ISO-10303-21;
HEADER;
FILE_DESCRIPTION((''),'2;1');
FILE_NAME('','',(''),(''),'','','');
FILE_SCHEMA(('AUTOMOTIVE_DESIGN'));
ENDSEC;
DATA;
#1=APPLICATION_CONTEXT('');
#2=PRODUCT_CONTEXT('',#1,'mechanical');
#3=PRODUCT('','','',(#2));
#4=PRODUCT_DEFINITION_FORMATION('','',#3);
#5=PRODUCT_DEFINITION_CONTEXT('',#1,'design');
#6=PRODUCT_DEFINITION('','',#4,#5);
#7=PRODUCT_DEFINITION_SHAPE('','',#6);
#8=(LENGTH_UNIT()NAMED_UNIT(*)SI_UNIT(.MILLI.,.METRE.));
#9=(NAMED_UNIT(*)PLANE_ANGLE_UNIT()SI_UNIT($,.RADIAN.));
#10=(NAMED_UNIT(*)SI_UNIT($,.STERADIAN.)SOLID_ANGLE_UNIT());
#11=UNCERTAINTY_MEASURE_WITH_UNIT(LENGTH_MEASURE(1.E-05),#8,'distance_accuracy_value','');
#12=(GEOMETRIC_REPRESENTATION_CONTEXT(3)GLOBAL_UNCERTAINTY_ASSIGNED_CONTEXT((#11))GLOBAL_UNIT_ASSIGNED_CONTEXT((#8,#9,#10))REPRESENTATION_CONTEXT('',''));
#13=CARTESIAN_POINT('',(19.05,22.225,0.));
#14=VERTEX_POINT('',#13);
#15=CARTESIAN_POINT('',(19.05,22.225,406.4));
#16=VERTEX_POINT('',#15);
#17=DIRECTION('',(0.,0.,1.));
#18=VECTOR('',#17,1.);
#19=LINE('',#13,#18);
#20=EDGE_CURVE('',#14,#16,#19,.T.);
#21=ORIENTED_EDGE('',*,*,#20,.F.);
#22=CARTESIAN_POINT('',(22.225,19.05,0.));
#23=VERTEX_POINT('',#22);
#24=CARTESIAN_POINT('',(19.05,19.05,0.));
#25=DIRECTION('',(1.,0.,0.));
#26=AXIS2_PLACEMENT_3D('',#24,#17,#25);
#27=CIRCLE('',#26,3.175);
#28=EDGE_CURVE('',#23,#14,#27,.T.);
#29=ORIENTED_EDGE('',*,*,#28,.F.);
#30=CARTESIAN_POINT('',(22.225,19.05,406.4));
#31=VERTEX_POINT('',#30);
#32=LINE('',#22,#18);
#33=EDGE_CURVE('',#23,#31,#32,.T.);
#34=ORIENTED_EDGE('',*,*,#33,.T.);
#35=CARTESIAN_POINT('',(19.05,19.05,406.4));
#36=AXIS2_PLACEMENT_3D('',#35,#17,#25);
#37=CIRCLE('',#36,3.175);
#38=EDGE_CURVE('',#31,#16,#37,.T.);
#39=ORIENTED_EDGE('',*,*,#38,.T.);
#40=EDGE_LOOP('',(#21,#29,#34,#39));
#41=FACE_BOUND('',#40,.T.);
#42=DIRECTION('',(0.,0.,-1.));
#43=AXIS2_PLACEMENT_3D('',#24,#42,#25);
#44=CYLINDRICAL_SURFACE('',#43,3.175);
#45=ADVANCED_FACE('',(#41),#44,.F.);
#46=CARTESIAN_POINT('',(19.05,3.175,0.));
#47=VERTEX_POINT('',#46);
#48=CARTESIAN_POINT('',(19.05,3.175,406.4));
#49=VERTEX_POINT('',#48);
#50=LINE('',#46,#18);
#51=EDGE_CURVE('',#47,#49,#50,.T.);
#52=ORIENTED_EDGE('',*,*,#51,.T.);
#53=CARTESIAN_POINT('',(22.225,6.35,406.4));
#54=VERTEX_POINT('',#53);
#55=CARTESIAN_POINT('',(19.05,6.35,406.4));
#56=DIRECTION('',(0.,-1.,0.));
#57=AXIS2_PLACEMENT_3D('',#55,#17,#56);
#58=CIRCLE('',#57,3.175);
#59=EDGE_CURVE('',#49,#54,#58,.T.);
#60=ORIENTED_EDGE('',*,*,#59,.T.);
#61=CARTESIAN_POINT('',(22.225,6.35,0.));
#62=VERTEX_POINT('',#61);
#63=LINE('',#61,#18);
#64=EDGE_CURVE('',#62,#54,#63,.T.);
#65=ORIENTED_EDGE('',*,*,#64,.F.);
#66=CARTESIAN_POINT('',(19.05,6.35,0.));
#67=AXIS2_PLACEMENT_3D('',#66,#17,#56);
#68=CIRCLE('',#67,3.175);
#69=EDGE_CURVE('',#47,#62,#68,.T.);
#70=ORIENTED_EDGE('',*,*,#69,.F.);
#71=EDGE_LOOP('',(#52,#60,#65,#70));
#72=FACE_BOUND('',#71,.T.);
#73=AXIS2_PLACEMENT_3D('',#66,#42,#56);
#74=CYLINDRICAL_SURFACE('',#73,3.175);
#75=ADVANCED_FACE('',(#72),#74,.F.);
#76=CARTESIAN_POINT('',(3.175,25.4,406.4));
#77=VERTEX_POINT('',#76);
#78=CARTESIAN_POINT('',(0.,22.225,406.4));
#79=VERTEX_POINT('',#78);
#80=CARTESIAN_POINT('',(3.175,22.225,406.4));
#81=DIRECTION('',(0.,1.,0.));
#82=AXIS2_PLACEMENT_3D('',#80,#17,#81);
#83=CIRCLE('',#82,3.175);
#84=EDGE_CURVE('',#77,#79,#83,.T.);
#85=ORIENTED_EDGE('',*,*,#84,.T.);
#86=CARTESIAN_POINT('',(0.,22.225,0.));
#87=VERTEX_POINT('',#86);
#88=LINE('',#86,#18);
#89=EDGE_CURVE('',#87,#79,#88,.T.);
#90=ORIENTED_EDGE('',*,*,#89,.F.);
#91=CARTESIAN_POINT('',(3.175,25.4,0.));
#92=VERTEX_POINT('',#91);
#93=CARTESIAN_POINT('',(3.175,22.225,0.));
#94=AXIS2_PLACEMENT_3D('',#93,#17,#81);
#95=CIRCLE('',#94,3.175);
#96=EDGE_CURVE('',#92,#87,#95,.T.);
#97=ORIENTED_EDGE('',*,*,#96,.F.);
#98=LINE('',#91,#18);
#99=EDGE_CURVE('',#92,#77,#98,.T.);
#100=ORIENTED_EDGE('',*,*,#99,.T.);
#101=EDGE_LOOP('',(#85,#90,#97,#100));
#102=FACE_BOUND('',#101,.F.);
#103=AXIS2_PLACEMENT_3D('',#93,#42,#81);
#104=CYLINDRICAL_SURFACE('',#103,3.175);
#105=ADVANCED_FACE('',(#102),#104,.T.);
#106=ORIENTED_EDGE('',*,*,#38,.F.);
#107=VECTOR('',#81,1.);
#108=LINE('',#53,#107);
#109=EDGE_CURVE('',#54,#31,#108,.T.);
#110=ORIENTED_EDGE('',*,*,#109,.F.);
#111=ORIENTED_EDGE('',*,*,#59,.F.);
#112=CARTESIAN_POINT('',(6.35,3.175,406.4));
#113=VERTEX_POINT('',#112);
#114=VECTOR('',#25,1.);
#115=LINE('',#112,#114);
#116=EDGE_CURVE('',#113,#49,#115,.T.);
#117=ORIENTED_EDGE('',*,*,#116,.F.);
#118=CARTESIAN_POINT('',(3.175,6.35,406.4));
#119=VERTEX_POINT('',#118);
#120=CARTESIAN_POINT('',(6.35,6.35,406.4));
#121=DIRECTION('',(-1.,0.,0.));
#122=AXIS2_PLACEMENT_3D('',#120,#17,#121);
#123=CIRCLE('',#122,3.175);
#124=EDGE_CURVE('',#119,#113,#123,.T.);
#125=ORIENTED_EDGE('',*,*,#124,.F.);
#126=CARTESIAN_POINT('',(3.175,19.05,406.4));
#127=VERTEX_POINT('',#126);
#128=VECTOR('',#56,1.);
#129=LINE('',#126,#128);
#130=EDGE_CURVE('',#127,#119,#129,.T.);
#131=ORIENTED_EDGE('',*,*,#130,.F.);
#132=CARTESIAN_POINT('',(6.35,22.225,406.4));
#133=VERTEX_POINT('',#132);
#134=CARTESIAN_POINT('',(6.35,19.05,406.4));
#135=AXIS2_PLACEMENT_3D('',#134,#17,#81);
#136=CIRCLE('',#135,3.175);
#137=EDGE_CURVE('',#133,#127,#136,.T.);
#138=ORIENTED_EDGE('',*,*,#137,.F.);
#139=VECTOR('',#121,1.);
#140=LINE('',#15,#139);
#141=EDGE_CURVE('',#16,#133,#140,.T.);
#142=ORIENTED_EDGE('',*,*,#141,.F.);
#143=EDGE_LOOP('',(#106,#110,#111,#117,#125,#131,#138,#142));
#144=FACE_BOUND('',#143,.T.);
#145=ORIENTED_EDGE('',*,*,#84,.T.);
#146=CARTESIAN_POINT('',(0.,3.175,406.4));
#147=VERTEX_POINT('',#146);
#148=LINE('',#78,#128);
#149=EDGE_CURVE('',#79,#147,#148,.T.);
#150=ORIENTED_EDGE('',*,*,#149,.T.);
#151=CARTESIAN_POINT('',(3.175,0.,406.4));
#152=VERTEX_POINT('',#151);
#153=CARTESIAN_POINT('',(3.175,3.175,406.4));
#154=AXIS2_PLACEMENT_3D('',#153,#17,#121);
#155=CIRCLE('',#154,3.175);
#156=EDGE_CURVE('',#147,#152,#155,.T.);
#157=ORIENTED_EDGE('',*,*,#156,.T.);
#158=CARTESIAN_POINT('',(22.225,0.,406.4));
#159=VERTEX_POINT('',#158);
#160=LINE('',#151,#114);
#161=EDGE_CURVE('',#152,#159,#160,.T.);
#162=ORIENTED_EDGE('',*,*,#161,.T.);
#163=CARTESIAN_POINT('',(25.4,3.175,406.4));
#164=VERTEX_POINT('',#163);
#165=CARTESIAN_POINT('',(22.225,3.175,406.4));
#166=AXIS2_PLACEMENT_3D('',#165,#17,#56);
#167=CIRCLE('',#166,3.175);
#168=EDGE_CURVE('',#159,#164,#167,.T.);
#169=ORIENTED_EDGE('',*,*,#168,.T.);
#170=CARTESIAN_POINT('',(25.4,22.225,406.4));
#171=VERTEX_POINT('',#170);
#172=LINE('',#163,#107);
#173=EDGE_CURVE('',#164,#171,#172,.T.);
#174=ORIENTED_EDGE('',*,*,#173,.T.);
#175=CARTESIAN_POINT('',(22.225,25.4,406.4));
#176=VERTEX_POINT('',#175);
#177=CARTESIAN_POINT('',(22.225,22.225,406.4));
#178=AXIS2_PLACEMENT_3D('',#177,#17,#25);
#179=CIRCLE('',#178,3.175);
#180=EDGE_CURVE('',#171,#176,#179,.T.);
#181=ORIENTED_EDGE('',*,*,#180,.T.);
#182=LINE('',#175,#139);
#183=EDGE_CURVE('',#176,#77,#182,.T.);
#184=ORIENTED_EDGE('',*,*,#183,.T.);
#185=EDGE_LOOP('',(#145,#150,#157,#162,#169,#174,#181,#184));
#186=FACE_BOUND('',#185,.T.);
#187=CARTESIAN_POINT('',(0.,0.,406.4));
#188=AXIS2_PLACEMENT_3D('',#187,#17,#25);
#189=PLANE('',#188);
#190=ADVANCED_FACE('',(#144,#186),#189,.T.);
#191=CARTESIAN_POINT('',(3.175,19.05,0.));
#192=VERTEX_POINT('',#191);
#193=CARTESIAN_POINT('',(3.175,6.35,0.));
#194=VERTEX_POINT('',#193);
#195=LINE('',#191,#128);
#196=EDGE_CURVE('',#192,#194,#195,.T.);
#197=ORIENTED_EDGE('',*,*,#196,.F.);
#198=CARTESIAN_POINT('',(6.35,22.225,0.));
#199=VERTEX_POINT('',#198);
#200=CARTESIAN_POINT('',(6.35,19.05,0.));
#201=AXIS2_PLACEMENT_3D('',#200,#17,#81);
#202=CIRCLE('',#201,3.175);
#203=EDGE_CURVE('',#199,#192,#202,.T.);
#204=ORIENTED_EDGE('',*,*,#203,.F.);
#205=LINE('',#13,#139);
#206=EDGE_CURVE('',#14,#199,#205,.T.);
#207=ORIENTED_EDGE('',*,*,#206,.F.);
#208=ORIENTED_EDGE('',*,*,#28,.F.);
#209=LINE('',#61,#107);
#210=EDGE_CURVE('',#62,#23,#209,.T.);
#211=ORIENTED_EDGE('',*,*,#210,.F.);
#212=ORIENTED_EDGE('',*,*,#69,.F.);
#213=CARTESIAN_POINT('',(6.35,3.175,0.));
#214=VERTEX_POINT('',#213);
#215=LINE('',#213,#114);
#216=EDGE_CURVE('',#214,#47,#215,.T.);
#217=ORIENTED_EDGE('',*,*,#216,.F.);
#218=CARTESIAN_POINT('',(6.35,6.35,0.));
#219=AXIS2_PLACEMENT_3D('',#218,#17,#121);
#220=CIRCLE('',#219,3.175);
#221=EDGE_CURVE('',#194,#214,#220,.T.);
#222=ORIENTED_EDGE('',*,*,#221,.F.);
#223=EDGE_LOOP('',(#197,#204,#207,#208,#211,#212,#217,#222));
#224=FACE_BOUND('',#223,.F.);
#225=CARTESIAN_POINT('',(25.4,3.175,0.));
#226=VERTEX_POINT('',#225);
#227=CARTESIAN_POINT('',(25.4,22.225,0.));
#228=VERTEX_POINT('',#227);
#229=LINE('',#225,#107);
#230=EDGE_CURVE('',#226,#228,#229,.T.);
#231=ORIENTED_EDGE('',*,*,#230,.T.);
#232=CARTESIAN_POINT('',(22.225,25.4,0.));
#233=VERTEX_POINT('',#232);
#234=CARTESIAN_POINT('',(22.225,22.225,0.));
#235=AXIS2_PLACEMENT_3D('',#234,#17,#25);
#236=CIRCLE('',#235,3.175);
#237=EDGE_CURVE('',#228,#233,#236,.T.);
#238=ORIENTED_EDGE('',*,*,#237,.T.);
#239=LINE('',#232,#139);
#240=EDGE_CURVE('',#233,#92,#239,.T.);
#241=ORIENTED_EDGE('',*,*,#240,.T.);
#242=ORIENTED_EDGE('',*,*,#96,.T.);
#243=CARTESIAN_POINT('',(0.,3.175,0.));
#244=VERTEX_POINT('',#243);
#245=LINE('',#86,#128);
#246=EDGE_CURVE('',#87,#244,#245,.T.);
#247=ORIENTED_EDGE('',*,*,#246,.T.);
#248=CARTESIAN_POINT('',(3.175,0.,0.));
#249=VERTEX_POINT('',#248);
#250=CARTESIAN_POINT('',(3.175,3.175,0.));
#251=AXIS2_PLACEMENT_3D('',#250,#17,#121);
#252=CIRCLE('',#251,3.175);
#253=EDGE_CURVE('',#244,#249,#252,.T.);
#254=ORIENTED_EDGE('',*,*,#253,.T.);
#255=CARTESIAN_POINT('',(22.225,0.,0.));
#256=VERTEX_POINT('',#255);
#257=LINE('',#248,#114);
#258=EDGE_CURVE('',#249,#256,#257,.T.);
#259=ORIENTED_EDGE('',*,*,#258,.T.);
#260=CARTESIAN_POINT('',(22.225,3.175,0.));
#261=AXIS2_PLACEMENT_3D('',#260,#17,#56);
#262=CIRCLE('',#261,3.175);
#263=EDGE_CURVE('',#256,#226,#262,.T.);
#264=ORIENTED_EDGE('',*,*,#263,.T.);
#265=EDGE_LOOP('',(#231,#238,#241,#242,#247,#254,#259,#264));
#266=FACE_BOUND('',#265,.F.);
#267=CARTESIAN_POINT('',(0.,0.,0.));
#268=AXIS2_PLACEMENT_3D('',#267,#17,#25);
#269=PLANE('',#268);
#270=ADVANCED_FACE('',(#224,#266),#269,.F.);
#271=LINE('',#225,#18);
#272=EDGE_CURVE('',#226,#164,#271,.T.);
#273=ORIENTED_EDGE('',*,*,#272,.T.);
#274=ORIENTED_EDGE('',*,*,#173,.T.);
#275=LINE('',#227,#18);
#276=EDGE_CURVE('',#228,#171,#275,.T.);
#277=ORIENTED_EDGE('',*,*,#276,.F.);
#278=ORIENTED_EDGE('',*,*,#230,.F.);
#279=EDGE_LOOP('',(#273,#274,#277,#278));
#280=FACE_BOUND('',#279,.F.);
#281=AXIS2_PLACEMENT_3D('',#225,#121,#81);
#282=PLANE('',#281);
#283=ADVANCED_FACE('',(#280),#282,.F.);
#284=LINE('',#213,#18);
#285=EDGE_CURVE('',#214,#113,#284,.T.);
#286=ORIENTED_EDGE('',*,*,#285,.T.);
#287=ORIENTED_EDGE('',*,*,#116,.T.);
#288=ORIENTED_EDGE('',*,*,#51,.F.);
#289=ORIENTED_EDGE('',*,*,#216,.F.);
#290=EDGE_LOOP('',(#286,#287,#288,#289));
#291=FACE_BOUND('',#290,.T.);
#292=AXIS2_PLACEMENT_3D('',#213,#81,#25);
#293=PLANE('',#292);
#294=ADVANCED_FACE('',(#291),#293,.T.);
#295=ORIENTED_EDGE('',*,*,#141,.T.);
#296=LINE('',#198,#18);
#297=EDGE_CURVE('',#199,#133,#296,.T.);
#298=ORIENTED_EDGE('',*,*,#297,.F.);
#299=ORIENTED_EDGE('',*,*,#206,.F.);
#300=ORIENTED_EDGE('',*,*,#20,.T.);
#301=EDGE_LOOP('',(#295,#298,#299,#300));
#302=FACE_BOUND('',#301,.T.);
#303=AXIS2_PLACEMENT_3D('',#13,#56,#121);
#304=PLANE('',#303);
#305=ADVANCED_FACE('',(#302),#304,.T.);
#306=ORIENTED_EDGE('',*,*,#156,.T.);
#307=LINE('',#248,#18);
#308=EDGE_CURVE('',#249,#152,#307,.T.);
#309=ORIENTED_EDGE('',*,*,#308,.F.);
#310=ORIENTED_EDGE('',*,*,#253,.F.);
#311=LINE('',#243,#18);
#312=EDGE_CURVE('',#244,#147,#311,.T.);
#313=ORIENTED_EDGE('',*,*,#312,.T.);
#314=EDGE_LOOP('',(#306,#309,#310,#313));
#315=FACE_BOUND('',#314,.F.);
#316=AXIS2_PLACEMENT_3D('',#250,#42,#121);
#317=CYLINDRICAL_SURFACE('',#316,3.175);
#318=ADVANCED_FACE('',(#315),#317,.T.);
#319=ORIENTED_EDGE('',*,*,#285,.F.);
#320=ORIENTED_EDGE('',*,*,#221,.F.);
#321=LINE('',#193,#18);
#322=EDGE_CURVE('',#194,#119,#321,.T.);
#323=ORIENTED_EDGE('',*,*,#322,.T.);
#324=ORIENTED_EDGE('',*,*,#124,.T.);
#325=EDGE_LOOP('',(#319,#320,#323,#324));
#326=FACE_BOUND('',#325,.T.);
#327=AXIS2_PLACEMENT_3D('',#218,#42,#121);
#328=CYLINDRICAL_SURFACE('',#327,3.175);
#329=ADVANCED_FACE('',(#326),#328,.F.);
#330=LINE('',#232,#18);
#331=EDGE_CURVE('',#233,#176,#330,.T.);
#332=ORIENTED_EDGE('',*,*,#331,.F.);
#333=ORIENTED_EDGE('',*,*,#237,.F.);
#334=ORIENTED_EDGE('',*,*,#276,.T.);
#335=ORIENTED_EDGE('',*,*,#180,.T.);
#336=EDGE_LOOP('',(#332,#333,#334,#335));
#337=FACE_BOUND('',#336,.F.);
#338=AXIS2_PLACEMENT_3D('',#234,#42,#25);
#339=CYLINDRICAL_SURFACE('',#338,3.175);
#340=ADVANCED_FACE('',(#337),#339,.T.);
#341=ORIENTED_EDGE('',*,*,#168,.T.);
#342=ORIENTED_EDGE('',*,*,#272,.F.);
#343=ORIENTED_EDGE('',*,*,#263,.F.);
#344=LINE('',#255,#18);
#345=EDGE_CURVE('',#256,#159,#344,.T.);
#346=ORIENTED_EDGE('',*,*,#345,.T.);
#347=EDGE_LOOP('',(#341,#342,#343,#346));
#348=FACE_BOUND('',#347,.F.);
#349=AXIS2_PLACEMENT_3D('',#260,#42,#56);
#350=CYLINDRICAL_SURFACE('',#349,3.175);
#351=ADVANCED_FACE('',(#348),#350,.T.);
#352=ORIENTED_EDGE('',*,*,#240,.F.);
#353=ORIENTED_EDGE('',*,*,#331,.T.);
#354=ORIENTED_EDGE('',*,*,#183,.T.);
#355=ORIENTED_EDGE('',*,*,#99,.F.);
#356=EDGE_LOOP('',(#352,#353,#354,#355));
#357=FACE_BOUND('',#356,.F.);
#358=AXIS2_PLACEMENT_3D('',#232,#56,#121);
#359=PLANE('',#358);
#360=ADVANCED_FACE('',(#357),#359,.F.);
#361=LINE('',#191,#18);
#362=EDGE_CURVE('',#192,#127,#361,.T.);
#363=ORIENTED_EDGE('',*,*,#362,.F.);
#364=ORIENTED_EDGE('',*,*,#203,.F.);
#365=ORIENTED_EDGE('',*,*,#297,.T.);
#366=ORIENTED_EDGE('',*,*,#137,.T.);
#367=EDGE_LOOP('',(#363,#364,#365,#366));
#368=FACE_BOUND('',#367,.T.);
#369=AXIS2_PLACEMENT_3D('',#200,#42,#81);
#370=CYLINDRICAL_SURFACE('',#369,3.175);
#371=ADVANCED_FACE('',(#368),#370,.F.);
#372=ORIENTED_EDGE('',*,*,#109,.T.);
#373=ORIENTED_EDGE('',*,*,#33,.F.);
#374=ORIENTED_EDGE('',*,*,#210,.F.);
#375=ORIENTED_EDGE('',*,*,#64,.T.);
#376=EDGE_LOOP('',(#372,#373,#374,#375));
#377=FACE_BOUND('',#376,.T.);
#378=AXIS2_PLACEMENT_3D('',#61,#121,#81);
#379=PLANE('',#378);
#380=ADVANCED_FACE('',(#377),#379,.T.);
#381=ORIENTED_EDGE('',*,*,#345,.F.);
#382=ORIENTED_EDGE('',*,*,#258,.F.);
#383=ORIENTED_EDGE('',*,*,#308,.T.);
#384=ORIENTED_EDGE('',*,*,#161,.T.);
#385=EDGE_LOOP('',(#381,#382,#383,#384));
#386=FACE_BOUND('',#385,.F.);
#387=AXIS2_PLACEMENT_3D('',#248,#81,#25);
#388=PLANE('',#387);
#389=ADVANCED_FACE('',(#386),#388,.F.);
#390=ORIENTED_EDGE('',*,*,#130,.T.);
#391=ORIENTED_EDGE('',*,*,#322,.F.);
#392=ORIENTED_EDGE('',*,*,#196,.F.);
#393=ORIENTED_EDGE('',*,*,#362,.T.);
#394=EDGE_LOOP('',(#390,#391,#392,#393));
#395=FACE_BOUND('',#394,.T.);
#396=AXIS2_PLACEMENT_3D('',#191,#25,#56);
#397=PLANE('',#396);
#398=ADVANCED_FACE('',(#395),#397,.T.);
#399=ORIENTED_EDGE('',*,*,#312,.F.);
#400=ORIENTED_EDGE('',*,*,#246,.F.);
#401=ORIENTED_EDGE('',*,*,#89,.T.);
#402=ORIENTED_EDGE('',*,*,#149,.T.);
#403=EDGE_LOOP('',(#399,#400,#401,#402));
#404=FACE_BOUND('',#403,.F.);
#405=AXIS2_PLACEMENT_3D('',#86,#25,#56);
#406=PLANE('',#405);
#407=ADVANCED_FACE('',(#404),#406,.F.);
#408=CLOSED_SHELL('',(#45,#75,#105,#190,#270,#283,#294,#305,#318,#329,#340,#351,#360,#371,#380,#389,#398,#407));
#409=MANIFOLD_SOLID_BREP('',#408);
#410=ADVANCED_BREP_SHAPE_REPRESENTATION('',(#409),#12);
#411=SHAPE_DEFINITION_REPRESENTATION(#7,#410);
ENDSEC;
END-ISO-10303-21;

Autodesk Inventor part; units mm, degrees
ref_plane "YZ Plane" through (0, 0, 0) normal (1, 0, 0) x (0, 1, 0)
ref_plane "XZ Plane" through (0, 0, 0) normal (0, 1, 0) x (-1, 0, 0)
ref_plane "XY Plane" through (0, 0, 0) normal (0, 0, 1) x (1, 0, 0)
sketch "Sketch1" plane through (0, 0, 0) normal (0, 0, 1) x (1, 0, 0)
  line L0 (3.175, 0) -> (22.225, 0)
  line L1 (25.4, 3.175) -> (25.4, 22.225)
  line L2 (22.225, 25.4) -> (3.175, 25.4)
  line L3 (0, 22.225) -> (0, 3.175)
  arc A0 (3.175, 25.4) -> (0, 22.225) centre (3.175, 22.225) ccw
  arc A1 (25.4, 22.225) -> (22.225, 25.4) centre (22.225, 22.225) ccw
  arc A2 (22.225, 0) -> (25.4, 3.175) centre (22.225, 3.175) ccw
  arc A3 (0, 3.175) -> (3.175, 0) centre (3.175, 3.175) ccw
  line L4 (6.35, 3.175) -> (19.05, 3.175)
  line L5 (22.225, 6.35) -> (22.225, 19.05)
  line L6 (19.05, 22.225) -> (6.35, 22.225)
  line L7 (3.175, 19.05) -> (3.175, 6.35)
  arc A4 (6.35, 22.225) -> (3.175, 19.05) centre (6.35, 19.05) ccw
  arc A5 (19.05, 3.175) -> (22.225, 6.35) centre (19.05, 6.35) ccw
  arc A6 (22.225, 19.05) -> (19.05, 22.225) centre (19.05, 19.05) ccw
  arc A7 (3.175, 6.35) -> (6.35, 3.175) centre (6.35, 6.35) ccw
  point P0 (0, 0)
  point P1 (25.4, 25.4)
  point P2 (25.4, 0)
  point P3 (0, 25.4)
  dimension "d0" = 25.4
  dimension "d1" = 25.4
  dimension "d2" = 3.175
  dimension "d3" = 3.175
extrude "Extrusion1" add sketch "Sketch1" along normal blind 406.4
properties part number "SteelPipe16in"
